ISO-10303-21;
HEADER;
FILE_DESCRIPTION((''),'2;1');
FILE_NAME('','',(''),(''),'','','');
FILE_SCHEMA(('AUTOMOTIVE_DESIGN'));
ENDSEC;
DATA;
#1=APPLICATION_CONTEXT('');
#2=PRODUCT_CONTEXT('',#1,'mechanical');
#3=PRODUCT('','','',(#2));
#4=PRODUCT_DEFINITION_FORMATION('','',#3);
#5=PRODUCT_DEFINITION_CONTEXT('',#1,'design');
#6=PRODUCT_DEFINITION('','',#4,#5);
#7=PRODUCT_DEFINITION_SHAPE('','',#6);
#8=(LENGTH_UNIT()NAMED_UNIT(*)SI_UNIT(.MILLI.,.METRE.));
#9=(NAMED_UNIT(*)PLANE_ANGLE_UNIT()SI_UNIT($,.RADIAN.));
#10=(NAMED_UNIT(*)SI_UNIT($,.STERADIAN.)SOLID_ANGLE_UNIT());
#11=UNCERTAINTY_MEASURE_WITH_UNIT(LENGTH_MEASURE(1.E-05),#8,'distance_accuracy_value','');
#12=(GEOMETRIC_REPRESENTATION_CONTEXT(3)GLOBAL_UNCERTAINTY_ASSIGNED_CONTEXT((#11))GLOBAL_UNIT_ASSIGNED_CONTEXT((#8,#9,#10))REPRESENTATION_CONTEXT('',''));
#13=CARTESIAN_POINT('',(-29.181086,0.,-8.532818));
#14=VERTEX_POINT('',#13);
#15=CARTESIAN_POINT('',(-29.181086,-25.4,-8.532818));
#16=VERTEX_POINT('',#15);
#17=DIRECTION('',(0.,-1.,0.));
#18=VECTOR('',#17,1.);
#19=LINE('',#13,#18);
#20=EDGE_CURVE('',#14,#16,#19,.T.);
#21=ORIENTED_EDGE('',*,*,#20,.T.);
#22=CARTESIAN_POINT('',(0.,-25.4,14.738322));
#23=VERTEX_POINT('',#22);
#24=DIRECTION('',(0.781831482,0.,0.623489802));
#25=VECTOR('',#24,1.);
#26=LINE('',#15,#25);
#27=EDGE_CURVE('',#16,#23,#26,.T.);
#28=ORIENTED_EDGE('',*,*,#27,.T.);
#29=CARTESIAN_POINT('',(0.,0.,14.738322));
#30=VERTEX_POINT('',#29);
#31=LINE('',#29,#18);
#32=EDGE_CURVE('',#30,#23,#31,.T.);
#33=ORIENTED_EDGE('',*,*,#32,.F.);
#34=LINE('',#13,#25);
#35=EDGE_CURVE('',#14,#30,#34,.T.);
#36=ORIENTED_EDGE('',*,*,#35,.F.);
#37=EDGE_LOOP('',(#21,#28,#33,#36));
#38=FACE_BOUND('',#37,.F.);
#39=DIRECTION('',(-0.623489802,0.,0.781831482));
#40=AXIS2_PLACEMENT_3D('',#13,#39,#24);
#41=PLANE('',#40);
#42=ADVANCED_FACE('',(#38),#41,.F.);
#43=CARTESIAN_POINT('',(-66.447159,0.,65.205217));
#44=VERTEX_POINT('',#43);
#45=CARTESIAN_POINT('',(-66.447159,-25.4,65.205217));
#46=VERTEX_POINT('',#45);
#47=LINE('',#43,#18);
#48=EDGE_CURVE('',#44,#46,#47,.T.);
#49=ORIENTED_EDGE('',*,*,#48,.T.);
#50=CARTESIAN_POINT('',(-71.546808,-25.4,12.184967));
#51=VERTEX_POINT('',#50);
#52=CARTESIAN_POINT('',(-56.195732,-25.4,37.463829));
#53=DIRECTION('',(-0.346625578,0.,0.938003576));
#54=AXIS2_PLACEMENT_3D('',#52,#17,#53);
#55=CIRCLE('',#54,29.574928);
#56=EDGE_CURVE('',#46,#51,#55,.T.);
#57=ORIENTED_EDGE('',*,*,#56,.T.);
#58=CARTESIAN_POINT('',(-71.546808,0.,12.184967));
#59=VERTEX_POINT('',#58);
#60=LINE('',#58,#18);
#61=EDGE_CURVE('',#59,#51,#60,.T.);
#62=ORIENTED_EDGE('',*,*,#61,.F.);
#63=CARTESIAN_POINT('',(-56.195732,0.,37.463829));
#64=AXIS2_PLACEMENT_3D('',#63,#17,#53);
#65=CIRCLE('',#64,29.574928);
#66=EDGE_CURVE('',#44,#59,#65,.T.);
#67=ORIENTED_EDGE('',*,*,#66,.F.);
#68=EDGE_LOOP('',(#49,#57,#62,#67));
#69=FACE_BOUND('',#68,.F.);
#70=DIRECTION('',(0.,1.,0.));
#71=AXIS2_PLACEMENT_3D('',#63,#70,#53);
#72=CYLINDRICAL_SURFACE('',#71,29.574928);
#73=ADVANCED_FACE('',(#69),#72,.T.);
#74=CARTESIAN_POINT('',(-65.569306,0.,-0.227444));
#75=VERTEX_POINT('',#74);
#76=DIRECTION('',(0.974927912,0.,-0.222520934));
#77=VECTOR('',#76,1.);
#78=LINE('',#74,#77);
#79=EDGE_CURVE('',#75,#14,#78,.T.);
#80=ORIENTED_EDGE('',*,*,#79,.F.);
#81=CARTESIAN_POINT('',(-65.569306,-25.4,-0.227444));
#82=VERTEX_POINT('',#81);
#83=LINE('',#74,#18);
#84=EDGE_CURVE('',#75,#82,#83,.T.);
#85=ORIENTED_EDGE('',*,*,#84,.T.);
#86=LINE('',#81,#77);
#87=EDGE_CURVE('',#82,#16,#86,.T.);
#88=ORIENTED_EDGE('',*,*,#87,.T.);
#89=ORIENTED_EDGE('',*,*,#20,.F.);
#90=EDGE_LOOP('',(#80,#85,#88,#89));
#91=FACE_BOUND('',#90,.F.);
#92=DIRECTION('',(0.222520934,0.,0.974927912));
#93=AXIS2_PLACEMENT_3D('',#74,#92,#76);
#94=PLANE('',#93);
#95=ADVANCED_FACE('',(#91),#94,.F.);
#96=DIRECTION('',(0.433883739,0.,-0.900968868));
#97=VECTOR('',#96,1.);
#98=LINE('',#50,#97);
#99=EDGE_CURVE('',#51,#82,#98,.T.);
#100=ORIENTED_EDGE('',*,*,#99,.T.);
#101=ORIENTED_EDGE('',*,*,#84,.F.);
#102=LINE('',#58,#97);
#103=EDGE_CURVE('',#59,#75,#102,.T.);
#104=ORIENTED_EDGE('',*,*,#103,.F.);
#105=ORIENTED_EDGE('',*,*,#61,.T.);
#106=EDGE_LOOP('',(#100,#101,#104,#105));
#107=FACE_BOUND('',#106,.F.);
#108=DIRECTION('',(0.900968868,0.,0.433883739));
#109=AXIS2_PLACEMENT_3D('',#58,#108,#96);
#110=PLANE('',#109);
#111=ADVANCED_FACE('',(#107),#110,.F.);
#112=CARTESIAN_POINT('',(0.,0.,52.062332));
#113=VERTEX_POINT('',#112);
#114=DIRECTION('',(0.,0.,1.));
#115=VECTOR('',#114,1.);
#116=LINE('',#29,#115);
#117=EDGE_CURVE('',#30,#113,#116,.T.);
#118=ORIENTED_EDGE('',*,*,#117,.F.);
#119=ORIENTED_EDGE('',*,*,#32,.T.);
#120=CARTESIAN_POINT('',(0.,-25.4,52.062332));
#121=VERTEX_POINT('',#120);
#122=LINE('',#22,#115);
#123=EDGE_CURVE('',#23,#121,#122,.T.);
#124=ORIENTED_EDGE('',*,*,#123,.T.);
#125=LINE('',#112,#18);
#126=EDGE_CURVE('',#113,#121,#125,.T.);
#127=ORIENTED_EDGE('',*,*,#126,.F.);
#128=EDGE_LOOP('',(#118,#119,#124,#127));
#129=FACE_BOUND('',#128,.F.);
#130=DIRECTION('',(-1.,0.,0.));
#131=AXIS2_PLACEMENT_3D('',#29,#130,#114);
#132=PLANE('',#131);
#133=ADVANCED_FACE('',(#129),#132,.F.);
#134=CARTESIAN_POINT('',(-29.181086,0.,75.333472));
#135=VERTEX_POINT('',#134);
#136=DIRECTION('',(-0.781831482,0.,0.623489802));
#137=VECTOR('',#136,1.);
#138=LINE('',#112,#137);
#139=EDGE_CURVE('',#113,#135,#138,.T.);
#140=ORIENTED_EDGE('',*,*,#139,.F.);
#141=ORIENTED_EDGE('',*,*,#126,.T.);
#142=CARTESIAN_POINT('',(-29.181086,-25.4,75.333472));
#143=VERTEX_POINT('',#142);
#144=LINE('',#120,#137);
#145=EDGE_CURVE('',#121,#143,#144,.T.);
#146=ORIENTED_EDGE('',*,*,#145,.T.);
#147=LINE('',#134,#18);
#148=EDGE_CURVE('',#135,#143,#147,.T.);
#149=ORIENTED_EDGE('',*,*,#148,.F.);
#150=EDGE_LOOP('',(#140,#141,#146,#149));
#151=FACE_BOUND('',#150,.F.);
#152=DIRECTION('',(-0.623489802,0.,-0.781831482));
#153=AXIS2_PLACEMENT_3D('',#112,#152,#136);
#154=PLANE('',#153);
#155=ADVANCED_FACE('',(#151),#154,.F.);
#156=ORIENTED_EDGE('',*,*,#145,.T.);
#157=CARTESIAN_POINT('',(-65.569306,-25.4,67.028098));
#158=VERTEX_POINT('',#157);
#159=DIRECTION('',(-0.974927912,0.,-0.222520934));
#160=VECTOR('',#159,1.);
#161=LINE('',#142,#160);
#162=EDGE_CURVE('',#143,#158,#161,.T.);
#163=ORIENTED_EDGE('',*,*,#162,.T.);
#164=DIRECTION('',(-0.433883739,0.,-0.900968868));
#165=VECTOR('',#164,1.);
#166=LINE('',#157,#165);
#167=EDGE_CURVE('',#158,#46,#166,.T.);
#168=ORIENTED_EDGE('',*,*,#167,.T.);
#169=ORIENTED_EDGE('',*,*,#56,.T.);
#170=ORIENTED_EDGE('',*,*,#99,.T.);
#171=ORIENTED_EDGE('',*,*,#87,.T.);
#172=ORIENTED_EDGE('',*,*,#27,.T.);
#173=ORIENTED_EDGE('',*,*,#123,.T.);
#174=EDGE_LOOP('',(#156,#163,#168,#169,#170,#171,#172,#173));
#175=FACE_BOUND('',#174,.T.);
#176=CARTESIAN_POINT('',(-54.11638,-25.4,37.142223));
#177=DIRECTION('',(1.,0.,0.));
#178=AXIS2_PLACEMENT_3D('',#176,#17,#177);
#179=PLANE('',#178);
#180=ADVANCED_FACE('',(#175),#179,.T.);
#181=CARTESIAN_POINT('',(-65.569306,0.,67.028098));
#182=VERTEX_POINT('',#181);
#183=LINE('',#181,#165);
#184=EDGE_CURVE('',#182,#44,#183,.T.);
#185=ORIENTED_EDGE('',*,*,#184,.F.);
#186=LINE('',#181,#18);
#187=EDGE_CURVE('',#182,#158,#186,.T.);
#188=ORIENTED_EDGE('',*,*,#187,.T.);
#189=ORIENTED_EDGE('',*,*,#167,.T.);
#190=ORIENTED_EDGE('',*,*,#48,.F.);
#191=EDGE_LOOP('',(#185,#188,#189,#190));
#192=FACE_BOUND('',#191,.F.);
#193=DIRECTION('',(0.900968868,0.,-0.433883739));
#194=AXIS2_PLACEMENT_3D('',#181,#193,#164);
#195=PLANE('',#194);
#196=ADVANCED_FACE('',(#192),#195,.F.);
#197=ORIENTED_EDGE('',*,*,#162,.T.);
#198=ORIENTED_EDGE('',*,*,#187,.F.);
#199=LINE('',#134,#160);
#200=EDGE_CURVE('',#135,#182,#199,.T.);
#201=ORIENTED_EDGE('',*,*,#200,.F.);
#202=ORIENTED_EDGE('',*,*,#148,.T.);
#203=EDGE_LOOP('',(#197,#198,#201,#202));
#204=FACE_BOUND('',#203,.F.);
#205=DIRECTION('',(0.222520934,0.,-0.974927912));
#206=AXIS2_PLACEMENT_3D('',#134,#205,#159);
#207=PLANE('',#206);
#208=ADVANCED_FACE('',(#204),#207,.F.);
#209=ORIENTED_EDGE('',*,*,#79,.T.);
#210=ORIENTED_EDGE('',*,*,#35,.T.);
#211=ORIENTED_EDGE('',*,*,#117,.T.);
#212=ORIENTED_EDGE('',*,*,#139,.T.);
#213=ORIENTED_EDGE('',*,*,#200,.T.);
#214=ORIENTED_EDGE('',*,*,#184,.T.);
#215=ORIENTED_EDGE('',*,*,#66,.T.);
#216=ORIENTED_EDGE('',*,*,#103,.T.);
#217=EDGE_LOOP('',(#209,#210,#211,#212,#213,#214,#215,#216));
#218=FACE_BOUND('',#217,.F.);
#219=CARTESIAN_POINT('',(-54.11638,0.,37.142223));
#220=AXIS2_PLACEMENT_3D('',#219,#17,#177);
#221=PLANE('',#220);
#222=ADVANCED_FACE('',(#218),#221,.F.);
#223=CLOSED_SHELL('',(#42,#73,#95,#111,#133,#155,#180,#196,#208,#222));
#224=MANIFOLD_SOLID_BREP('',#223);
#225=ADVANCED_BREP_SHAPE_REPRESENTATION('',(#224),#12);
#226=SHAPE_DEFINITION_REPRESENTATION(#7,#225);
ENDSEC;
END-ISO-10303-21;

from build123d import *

# Parameters (mm, degrees)
F1_DEPTH = 25.4
F2_DEPTH = 25.4


with BuildPart() as f1:
    # F0 (on Front) → F1 (new body)
    with BuildSketch(Plane.XZ):
        with BuildLine():
            Line((-81.7635867535, 33.4003269672), (-66.4471587845, 65.2052173639))
            ThreePointArc((-66.4471587845, 65.2052173639), (-85.634800889, 40.2953682017), (-71.5468079221, 12.1849671199))
            Line((-71.5468079221, 12.1849671199), (-81.7635867535, 33.4003269672))
        make_face()
        with BuildLine():
            ThreePointArc((-71.5468079221, 12.1849671199), (-41.6928115156, 11.6890026162), (-26.6208039794, 37.4638289213))
            ThreePointArc((-26.6208039794, 37.4638289213), (-39.2917212274, 61.7317252546), (-66.4471587845, 65.2052173639))
            Line((-66.4471587845, 65.2052173639), (-81.7635867535, 33.4003269672))
            Line((-81.7635867535, 33.4003269672), (-71.5468079221, 12.1849671199))
        make_face()
    extrude(amount=F1_DEPTH)

    # F0 (on Front) → F2 (join)
    with BuildSketch(Plane.XZ):
        with BuildLine():
            ThreePointArc((-71.5468079221, 12.1849671199), (-41.6928115156, 11.6890026162), (-26.6208039794, 37.4638289213))
            ThreePointArc((-26.6208039794, 37.4638289213), (-39.2917212274, 61.7317252546), (-66.4471587845, 65.2052173639))
            Line((-66.4471587845, 65.2052173639), (-81.7635867535, 33.4003269672))
            Line((-81.7635867535, 33.4003269672), (-71.5468079221, 12.1849671199))
        make_face()
        with BuildLine():
            ThreePointArc((-66.4471587845, 65.2052173639), (-39.2917212274, 61.7317252546), (-26.6208039794, 37.4638289213))
            ThreePointArc((-26.6208039794, 37.4638289213), (-41.6928115156, 11.6890026162), (-71.5468079221, 12.1849671199))
            Line((-71.5468079221, 12.1849671199), (-65.5693056323, -0.2274442828))
            Line((-65.5693056323, -0.2274442828), (-29.1810862564, -8.5328179001))
            Line((-29.1810862564, -8.5328179001), (0, 14.738321848))
            Line((0, 14.738321848), (0, 52.0623320864))
            Line((0, 52.0623320864), (-29.1810862564, 75.3334718346))
            Line((-29.1810862564, 75.3334718346), (-65.5693056323, 67.0280982173))
            Line((-65.5693056323, 67.0280982173), (-66.4471587845, 65.2052173639))
        make_face()
        with BuildLine():
            Line((-81.7635867535, 33.4003269672), (-66.4471587845, 65.2052173639))
            ThreePointArc((-66.4471587845, 65.2052173639), (-85.634800889, 40.2953682017), (-71.5468079221, 12.1849671199))
            Line((-71.5468079221, 12.1849671199), (-81.7635867535, 33.4003269672))
        make_face()
    extrude(amount=F2_DEPTH)


solid = f1.part
